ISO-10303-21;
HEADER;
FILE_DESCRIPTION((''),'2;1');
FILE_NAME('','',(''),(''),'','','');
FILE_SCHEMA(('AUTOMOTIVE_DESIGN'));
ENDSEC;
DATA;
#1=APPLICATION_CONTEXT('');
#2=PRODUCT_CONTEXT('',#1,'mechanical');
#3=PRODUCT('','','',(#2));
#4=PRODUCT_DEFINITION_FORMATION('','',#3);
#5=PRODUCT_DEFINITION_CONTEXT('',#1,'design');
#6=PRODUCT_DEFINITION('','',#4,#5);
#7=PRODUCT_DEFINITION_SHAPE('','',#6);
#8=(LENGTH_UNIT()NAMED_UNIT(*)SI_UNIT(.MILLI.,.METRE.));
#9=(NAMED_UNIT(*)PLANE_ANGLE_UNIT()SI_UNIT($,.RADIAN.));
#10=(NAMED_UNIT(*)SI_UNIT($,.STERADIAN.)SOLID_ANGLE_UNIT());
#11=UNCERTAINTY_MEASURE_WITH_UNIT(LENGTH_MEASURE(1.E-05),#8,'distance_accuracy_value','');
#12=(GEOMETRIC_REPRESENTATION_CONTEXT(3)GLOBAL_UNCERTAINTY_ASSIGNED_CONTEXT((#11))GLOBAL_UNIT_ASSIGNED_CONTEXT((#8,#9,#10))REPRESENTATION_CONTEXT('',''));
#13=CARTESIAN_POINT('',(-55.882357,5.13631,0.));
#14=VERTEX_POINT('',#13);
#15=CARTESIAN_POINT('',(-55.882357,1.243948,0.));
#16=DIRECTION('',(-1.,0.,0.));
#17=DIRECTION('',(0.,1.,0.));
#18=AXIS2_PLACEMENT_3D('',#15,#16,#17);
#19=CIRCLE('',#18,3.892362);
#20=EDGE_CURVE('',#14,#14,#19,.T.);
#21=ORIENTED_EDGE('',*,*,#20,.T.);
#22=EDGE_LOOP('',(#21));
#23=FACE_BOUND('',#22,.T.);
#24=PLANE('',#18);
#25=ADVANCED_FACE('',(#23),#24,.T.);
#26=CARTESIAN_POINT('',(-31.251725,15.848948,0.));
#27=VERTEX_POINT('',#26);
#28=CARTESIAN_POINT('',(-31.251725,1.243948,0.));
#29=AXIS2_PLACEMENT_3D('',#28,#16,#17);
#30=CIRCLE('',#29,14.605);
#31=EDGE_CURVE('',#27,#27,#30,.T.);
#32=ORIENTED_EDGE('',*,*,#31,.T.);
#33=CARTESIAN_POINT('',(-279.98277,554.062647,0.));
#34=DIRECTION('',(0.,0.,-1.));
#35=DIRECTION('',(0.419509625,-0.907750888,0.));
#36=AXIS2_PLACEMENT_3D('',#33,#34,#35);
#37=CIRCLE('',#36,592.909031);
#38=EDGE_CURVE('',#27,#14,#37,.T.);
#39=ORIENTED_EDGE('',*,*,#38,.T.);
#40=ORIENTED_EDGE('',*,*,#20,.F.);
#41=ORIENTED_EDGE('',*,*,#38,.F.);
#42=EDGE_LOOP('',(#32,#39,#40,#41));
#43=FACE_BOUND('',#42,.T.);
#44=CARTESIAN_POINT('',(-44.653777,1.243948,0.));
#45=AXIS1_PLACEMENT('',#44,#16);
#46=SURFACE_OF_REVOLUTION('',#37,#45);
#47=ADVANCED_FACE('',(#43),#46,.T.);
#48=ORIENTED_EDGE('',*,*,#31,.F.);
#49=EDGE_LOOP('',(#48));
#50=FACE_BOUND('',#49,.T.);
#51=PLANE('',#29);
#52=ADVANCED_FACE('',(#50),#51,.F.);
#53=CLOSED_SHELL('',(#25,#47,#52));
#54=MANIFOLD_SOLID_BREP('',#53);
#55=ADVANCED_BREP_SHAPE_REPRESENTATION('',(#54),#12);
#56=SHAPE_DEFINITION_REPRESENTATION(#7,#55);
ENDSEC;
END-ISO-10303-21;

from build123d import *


with BuildPart() as f1:
    # F0 (on Top) → F1 (revolve)
    with BuildSketch(Plane.XY):
        with BuildLine():
            Line((-55.882357, 5.13631), (-55.882357, 1.243948))
            Line((-55.882357, 1.243948), (-31.251725, 1.243948))
            Line((-31.251725, 1.243948), (-31.251725, 15.848948))
            ThreePointArc((-31.251725, 15.848948), (-43.506371, 10.353137), (-55.882357, 5.13631))
        make_face()
    revolve(axis=Axis((-44.653777, 1.243948, 0), (-1, 0, 0)))


solid = f1.part
